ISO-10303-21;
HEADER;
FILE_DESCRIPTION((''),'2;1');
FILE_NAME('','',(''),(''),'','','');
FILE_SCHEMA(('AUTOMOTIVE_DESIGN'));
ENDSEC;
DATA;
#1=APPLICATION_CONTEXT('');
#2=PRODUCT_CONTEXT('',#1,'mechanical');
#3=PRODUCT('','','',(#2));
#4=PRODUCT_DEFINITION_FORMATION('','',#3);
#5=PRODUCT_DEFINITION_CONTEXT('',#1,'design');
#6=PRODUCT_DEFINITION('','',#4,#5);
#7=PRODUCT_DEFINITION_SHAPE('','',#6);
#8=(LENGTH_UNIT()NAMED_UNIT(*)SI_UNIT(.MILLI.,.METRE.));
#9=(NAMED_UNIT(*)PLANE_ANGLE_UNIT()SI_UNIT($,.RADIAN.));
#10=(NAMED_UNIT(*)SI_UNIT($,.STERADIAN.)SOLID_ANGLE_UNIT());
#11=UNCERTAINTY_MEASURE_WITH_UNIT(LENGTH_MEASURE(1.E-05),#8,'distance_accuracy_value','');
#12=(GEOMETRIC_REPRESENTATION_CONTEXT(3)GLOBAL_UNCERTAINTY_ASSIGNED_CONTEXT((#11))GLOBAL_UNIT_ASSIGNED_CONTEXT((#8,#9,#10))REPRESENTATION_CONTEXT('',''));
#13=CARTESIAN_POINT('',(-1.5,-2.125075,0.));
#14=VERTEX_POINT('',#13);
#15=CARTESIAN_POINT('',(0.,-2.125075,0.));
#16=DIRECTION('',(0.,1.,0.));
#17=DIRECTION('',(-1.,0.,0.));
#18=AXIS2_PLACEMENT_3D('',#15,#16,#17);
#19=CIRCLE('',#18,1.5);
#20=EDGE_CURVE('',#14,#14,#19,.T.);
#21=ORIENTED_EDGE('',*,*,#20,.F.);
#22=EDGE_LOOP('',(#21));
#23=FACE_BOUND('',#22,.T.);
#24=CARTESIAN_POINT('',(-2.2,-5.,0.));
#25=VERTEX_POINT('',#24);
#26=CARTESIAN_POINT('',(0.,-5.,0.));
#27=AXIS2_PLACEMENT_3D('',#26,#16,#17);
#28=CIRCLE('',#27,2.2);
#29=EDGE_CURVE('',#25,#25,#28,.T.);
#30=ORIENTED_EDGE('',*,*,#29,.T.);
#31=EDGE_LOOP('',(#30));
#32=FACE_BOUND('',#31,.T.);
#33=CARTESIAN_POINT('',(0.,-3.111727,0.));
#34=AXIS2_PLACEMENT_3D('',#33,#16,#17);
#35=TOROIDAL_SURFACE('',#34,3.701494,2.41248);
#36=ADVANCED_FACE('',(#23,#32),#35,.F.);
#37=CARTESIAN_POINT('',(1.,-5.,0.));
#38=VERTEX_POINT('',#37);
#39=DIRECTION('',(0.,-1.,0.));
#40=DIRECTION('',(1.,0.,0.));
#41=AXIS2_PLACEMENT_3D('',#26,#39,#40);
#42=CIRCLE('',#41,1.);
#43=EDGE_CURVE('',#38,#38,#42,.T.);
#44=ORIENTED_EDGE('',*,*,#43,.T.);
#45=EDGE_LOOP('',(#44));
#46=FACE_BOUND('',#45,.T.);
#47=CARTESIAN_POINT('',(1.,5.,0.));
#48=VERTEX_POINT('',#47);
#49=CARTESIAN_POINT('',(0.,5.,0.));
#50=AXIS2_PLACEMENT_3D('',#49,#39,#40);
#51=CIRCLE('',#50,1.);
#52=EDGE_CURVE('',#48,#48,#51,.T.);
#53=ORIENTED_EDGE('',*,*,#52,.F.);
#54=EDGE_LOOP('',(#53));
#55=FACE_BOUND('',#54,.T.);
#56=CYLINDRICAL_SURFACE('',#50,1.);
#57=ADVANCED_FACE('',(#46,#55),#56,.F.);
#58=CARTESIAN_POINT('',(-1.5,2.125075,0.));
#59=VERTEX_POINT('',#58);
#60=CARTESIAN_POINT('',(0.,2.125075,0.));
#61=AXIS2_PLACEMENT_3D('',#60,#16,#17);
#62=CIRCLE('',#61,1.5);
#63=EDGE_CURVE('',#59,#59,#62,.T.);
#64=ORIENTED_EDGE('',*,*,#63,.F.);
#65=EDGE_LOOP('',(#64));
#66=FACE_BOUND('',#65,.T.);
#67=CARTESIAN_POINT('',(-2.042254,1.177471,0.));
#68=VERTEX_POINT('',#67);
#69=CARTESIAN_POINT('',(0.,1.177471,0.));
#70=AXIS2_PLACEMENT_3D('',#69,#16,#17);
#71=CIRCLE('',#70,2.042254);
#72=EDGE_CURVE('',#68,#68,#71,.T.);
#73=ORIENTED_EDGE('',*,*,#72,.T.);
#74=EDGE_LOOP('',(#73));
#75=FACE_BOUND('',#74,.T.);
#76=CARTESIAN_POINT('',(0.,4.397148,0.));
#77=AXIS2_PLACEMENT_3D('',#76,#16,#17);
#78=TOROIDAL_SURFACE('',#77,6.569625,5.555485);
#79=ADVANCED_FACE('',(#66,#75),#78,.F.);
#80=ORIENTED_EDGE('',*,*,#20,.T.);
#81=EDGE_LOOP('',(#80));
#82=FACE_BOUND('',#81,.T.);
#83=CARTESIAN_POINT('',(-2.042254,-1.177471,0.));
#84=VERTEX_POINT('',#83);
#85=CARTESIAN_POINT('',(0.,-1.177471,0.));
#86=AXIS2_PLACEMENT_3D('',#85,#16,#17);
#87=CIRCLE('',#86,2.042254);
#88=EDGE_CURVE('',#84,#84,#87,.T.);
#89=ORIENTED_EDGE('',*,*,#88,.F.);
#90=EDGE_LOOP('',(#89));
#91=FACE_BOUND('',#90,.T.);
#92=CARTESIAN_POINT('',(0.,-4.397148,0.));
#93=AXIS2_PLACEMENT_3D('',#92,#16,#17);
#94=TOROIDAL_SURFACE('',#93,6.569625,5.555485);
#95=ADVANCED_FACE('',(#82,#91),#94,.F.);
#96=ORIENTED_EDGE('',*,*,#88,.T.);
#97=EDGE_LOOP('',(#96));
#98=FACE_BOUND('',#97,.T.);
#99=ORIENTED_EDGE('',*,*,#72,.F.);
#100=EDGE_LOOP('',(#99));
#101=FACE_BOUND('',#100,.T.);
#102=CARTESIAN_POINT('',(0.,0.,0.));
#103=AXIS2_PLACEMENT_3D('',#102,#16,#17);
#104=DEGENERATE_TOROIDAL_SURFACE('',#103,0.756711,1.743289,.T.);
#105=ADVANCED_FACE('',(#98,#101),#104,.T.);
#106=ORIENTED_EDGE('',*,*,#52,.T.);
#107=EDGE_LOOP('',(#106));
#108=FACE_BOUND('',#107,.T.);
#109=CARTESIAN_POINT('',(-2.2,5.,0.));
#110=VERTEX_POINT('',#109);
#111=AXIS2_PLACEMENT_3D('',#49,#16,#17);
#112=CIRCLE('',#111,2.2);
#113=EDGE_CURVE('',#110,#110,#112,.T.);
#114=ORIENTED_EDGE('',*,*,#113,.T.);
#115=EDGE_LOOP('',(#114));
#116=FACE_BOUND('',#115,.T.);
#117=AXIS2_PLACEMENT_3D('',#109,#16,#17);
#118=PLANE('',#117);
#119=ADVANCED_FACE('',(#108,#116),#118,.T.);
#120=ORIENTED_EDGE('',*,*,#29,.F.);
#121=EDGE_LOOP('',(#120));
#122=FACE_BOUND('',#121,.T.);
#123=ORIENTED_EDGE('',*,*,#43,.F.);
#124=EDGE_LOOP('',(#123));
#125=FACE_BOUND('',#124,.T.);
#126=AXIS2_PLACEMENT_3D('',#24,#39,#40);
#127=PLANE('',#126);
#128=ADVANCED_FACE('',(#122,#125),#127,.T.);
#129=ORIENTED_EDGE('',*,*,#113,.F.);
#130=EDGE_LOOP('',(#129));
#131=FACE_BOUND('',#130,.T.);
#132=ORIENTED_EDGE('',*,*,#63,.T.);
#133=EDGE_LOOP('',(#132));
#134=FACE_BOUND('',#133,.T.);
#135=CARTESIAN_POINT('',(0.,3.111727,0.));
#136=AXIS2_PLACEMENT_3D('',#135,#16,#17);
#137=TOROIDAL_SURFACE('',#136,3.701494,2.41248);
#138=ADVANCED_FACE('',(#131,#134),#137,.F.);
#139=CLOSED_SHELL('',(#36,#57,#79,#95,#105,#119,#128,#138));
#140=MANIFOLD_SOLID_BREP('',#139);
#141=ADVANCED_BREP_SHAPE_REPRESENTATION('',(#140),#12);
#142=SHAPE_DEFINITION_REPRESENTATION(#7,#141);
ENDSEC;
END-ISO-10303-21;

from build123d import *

# Parameters (mm, degrees)
ESQUISSE5_R             = 1
ENL_V_MAT_EXTRU_2_DEPTH = 10


with BuildPart() as part:
    # Esquisse1 → Révolution2 (revolve)
    with BuildSketch(Plane.XY):
        with BuildLine():
            Line((0, 5), (0, -5))
            Line((0, -5), (-2.2, -5))
            ThreePointArc((-2.2, -5), (-1.357495617, -3.68245461), (-1.5, -2.125074762))
            ThreePointArc((-1.5, -2.125074762), (-1.747791972, -1.637919756), (-2.042253504, -1.177470772))
            ThreePointArc((-2.042253504, -1.177470772), (-2.5, 0), (-2.042253504, 1.177470772))
            ThreePointArc((-2.042253504, 1.177470772), (-1.747791972, 1.637919756), (-1.5, 2.125074762))
            ThreePointArc((-1.5, 2.125074762), (-1.357495617, 3.68245461), (-2.2, 5))
            Line((-2.2, 5), (0, 5))
        make_face()
    revolve(axis=Axis((0, -2, 0), (0, -1, 0)))

    # Esquisse5 → Enlèv. mat.-Extru.2 (cut)
    with BuildSketch(Plane(origin=(0, -5, 0), x_dir=(-1, 0, 0), z_dir=(0, -1, 0))):
        with Locations(Location((0, 0, 0), (0, 0, 180))):
            Circle(ESQUISSE5_R)
    extrude(amount=-ENL_V_MAT_EXTRU_2_DEPTH, mode=Mode.SUBTRACT)


solid = part.part
